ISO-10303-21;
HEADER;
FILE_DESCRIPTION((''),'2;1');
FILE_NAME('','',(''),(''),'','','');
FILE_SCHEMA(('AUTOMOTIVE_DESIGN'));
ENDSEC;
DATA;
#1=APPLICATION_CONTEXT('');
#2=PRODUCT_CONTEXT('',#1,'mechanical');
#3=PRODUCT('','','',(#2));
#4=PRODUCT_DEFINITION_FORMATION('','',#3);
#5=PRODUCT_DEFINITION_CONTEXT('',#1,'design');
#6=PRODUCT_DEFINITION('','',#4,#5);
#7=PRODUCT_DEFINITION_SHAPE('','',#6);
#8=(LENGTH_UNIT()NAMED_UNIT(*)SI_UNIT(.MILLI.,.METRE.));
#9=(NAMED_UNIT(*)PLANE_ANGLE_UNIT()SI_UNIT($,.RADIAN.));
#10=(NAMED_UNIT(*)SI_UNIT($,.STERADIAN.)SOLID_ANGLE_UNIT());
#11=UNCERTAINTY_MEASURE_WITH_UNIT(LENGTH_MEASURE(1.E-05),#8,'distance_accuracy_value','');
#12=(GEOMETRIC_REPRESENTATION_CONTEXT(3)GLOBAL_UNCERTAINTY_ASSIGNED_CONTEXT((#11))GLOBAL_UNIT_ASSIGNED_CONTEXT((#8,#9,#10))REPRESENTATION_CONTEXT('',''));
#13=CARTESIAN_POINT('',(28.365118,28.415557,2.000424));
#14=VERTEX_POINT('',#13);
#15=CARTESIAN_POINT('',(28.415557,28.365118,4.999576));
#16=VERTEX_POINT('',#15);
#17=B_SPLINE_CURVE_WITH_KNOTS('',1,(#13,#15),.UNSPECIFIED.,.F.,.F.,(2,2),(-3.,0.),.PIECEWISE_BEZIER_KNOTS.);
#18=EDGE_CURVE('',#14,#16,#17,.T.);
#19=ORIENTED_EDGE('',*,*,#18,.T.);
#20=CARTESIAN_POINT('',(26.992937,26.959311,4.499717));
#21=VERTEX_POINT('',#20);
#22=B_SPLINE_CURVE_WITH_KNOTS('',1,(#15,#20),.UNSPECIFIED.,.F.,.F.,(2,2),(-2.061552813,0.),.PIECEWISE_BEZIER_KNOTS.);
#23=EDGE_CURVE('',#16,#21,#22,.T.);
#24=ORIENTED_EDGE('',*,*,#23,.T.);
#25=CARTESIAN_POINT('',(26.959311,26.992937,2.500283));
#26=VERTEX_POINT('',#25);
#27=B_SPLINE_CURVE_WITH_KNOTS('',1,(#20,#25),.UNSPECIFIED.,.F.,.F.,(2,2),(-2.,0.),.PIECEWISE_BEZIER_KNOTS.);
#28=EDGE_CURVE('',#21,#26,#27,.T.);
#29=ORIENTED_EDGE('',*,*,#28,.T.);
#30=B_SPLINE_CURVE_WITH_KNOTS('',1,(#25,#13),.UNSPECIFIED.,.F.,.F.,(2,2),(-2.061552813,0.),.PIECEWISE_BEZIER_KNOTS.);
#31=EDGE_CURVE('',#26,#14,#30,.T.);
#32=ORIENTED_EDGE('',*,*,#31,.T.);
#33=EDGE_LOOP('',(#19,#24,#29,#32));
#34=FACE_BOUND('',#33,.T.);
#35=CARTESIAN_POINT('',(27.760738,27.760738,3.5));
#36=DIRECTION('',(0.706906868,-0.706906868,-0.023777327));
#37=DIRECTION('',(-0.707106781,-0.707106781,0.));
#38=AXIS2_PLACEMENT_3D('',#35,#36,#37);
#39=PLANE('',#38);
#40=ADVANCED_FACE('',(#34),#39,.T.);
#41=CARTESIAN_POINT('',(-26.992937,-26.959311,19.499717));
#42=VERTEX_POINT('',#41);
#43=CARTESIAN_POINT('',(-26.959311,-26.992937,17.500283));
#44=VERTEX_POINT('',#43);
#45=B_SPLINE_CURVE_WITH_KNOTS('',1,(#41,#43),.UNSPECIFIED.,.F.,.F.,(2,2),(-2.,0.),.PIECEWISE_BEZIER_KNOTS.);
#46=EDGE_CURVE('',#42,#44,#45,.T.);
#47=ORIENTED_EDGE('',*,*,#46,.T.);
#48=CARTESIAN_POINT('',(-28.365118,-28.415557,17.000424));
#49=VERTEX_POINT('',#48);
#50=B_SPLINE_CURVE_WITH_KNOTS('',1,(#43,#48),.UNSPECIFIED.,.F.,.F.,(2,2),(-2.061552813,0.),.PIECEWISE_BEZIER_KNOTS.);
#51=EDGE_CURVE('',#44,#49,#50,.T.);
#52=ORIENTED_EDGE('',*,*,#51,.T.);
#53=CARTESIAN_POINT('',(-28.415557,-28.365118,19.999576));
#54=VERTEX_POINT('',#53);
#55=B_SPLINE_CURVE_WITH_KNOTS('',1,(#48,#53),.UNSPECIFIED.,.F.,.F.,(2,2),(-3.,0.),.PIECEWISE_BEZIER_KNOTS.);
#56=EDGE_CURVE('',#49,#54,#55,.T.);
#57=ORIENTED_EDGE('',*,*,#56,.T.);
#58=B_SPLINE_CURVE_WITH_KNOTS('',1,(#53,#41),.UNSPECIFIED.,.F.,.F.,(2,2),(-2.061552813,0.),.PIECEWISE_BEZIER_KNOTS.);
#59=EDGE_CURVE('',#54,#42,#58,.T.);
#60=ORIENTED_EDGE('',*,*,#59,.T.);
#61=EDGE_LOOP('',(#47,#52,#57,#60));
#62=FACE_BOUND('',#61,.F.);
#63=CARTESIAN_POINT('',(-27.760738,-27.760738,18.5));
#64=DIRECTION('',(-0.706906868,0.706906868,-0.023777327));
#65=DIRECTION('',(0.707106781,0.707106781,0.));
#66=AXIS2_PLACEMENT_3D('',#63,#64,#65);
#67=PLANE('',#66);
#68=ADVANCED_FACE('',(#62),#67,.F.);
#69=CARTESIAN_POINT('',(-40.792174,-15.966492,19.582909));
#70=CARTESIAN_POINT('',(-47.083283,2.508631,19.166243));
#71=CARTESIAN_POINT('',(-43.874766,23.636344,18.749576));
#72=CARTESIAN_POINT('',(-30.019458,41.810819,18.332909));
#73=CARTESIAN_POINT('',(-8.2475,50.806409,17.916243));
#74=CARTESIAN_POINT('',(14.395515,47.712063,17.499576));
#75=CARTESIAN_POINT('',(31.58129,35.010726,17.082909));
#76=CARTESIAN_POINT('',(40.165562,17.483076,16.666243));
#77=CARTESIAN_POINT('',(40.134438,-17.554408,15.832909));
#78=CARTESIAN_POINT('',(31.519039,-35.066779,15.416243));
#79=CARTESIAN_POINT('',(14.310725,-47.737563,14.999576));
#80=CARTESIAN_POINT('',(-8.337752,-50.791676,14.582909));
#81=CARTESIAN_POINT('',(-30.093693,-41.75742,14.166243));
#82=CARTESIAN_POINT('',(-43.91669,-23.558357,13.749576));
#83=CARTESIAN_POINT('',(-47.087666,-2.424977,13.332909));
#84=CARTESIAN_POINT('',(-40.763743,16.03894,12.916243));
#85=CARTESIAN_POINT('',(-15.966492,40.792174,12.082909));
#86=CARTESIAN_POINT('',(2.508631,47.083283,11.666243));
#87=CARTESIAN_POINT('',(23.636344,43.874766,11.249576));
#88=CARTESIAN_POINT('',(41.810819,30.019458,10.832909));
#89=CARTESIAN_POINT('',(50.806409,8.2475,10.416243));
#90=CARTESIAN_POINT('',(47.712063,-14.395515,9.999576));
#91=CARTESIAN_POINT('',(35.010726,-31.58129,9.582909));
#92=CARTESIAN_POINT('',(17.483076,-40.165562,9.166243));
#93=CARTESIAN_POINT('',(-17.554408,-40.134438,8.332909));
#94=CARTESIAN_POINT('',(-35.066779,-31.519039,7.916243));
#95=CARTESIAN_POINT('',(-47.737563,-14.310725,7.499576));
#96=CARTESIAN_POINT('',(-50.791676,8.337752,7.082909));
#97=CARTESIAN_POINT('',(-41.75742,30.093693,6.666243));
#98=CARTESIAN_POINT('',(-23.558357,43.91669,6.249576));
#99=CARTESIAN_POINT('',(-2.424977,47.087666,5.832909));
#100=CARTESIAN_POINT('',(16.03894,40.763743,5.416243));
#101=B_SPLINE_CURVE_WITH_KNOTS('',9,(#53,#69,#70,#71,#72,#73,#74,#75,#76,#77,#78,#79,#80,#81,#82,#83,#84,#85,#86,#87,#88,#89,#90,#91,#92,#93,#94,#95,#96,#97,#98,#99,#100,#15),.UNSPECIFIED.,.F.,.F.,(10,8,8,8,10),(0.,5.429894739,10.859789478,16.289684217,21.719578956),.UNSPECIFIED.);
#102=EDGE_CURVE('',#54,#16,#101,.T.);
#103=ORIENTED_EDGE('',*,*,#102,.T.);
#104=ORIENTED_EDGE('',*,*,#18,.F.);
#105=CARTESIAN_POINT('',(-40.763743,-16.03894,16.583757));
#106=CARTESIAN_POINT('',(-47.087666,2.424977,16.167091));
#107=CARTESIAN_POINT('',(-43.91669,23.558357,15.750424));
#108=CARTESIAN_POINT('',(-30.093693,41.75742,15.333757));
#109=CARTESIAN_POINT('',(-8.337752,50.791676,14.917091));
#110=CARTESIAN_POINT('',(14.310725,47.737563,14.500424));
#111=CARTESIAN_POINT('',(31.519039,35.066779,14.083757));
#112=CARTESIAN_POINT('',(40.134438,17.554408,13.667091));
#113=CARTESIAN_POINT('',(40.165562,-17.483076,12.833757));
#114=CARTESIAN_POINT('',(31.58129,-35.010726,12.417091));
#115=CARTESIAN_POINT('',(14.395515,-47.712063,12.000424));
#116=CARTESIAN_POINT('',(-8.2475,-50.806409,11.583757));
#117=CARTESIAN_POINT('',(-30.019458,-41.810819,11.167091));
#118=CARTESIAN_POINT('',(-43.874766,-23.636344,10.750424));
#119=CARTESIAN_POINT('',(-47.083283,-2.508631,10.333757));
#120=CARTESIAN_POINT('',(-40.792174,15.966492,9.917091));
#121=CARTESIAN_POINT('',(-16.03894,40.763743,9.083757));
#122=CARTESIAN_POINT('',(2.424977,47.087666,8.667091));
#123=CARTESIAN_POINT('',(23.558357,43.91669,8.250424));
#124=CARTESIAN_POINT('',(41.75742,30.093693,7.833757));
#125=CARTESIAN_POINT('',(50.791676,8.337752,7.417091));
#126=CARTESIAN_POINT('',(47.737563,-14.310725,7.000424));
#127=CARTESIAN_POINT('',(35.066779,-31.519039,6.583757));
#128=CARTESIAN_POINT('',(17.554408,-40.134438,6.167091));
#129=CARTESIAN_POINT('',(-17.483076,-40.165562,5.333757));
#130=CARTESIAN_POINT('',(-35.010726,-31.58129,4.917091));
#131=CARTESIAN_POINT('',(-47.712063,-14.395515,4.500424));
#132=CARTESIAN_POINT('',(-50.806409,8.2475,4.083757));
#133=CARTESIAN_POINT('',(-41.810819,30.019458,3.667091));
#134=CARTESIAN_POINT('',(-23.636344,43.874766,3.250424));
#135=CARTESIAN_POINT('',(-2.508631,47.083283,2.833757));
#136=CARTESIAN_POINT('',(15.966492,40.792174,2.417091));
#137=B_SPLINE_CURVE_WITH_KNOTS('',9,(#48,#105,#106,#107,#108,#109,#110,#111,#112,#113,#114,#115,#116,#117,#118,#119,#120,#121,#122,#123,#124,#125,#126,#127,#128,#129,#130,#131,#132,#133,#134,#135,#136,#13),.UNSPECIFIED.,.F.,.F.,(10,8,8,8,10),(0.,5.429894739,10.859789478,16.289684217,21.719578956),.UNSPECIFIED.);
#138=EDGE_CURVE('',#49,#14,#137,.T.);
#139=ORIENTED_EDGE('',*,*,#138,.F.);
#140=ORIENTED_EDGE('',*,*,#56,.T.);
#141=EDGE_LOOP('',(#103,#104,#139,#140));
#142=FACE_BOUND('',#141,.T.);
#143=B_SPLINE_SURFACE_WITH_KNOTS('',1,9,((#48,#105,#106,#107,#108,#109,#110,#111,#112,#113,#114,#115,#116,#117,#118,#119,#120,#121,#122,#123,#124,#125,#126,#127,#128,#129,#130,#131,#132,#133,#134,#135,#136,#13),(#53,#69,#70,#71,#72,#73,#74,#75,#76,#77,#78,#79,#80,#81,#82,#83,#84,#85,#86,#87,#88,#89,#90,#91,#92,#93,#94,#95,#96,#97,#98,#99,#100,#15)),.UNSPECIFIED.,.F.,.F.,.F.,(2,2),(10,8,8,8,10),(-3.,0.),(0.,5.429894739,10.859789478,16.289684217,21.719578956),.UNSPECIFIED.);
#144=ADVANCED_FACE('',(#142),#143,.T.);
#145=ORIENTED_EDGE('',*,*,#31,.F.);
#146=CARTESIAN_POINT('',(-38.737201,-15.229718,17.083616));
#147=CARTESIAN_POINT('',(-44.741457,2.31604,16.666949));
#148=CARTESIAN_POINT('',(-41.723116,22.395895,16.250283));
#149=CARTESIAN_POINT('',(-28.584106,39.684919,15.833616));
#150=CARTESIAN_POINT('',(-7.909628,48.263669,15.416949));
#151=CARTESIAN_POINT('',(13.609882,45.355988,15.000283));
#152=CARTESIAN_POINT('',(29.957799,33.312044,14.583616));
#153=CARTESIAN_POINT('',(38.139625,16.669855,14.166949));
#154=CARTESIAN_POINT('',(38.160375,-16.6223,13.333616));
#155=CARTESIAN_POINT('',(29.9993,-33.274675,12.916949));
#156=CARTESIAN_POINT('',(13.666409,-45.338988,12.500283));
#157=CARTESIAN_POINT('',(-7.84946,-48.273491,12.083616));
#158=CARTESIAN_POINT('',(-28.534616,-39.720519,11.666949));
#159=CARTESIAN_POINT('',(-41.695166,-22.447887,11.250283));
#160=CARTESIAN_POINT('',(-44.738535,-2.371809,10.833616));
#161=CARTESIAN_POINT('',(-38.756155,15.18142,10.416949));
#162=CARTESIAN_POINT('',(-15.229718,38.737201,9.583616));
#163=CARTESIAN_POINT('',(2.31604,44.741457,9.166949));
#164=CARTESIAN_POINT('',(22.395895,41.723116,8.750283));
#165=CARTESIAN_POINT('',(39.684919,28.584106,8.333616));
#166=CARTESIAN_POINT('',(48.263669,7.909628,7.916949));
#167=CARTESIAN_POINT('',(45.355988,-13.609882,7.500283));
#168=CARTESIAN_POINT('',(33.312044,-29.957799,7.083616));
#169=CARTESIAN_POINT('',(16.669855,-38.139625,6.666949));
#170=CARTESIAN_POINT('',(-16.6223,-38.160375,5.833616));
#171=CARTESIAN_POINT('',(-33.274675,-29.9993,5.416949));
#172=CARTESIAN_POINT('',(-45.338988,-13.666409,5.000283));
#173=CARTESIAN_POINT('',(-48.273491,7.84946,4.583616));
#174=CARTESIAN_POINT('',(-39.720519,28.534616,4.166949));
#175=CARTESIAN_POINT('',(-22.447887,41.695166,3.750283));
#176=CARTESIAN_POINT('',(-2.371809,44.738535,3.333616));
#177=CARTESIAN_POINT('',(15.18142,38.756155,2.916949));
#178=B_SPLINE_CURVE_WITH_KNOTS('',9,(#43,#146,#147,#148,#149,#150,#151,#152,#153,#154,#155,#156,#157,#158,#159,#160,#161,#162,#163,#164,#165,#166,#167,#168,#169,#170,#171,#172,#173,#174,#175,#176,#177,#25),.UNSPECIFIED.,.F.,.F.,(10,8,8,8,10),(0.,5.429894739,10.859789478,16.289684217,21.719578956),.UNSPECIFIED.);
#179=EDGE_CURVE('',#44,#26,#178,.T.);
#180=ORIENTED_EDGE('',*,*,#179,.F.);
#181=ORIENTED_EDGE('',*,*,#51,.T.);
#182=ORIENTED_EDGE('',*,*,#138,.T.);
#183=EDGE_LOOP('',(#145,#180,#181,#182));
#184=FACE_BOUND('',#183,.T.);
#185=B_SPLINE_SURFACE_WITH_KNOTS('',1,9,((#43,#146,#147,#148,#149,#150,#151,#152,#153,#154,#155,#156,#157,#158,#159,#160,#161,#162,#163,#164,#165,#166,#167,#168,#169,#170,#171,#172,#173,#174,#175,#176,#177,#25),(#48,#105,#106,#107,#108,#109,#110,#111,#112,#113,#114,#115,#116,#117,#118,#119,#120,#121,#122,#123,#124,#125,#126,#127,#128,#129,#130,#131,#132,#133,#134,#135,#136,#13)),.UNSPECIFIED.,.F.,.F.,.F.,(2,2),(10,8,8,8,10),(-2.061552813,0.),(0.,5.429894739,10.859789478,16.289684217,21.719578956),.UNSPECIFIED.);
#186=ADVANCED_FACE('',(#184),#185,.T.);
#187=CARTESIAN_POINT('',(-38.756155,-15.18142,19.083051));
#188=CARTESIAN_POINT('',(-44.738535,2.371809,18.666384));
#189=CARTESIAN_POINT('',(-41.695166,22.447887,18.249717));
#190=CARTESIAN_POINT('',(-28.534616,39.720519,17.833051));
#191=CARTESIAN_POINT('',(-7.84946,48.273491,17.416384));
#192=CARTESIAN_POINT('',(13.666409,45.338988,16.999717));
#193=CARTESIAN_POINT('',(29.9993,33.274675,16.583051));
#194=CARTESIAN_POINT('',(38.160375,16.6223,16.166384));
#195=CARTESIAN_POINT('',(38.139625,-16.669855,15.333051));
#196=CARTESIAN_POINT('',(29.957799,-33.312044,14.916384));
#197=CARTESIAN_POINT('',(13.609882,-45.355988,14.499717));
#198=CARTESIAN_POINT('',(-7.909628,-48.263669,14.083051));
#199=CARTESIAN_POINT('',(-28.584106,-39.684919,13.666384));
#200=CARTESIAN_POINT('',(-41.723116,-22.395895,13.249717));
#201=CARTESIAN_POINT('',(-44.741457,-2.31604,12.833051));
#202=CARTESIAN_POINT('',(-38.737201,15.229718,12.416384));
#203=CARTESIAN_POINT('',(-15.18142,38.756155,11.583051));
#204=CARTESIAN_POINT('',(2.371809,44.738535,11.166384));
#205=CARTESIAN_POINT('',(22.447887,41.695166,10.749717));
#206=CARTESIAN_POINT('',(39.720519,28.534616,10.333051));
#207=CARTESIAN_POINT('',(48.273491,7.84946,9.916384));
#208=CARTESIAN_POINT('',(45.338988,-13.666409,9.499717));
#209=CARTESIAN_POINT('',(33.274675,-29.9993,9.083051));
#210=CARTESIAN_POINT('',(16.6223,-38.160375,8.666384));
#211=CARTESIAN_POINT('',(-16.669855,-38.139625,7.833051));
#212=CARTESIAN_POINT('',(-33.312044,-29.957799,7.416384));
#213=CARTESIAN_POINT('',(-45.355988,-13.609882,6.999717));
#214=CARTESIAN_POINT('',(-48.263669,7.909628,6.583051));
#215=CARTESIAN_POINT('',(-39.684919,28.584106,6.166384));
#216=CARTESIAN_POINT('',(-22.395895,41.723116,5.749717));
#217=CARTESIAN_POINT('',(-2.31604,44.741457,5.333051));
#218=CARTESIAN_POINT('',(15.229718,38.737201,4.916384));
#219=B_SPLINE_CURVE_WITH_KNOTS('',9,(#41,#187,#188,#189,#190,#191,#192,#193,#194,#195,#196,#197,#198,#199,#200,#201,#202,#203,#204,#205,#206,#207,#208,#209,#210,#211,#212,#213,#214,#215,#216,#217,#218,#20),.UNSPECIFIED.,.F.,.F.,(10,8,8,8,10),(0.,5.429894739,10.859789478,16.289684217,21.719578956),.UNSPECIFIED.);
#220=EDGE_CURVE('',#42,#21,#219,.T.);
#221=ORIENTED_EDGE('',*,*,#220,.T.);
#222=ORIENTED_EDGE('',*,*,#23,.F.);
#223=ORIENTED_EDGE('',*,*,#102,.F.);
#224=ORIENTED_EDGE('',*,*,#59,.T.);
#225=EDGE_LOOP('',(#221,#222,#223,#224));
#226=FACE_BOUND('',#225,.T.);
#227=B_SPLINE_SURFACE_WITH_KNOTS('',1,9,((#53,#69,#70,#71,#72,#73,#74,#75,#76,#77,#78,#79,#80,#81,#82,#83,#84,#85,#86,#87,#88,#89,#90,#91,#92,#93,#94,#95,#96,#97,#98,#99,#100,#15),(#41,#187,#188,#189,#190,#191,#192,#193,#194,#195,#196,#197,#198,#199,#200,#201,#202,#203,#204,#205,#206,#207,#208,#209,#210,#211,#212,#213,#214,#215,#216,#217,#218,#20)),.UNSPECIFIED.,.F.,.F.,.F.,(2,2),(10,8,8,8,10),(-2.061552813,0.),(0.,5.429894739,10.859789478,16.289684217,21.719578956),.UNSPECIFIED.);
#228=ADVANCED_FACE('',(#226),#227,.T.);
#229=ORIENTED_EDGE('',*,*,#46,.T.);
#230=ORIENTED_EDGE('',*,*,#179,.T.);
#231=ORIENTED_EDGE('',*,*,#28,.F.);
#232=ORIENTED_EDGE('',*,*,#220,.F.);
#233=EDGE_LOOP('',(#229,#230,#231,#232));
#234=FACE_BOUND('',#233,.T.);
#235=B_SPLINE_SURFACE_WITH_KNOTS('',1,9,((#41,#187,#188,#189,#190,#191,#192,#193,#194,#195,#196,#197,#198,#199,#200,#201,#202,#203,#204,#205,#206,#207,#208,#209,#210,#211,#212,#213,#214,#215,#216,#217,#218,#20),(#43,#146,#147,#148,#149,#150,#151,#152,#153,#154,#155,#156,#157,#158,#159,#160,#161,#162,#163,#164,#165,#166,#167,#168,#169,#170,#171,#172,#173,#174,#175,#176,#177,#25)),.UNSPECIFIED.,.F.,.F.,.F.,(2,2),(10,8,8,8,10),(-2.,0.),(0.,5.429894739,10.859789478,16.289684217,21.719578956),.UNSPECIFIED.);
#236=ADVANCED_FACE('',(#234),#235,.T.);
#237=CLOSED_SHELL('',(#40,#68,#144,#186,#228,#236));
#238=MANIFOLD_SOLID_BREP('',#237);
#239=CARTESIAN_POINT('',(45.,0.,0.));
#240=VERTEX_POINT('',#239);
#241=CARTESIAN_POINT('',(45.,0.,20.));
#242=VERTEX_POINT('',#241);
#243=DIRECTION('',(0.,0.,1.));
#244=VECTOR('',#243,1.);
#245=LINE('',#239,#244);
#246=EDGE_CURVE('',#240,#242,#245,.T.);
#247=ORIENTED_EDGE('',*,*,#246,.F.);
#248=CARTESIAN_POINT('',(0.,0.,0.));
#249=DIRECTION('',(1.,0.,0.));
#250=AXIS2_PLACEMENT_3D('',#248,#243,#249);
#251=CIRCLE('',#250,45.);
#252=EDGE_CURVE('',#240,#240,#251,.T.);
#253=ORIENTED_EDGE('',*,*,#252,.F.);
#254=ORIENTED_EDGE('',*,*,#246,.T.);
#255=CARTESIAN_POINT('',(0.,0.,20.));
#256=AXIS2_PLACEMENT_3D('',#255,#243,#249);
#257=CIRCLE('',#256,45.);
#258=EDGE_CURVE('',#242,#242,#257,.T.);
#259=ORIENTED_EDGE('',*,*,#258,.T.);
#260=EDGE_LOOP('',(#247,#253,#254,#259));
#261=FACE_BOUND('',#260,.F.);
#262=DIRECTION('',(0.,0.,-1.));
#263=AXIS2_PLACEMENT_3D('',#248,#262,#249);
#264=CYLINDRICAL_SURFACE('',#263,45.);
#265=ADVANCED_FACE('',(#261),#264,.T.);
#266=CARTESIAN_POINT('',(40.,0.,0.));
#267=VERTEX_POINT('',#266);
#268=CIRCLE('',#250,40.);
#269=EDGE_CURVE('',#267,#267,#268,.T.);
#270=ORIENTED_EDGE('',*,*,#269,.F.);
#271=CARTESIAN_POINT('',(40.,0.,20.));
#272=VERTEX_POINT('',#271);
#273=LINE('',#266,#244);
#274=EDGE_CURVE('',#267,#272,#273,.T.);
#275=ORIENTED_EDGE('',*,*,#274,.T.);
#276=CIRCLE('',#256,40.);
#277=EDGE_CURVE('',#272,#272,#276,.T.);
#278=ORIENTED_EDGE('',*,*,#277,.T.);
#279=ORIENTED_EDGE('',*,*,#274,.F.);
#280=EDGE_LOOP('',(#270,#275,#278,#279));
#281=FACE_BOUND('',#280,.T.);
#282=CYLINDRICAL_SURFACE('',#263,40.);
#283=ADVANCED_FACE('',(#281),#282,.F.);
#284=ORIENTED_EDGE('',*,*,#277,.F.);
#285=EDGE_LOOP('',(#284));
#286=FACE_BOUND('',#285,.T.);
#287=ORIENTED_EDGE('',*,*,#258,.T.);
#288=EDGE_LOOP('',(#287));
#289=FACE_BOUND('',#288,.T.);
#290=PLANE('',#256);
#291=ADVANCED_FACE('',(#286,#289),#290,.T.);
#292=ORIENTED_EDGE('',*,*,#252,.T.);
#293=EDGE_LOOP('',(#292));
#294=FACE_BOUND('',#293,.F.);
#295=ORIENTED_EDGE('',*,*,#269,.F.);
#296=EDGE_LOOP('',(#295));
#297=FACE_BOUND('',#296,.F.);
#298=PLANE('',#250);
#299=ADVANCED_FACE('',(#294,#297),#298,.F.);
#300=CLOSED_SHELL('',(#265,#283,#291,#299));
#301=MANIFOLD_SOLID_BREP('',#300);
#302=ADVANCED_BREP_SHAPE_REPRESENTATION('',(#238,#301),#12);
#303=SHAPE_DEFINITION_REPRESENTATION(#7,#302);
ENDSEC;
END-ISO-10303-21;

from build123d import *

# Parameters (mm, degrees)
SKETCH_1_R          = 45
SKETCH_1_R_2        = 40
EXTRUDE_1_DEPTH     = 20
SWEEP_1_PITCH       = 6
SWEEP_1_HEIGHT      = 15
SWEEP_1_RADIUS      = 40.15
SWEEP_1_START_ANGLE = -45


with BuildPart() as part:
    # 草图1 → 凸台-拉伸1 (new body)
    with BuildSketch(Plane.XY):
        Circle(SKETCH_1_R)
        Circle(SKETCH_1_R_2, mode=Mode.SUBTRACT)
    extrude(amount=EXTRUDE_1_DEPTH)


with BuildPart() as body_2:
    # 扫描1: sweep along a helix
    with BuildLine() as sweep_1_path:
        add(Helix(SWEEP_1_PITCH, SWEEP_1_HEIGHT, SWEEP_1_RADIUS, center=(0, 0, 18.5), direction=(0, 0, -1), mode=Mode.PRIVATE).rotate(Axis((0, 0, 18.5), (0, 0, -1)), SWEEP_1_START_ANGLE))
    # 草图3 → 扫描1 (sweep)
    with BuildSketch(Plane(origin=(-28.390337265, -28.390337265, 18.5), x_dir=(-0.016813109, 0.016813109, 0.999717279), z_dir=(-0.706906868, 0.706906868, -0.023777327))):
        Polygon((1.5, 0), (-1.5, 0), (-1, 2), (1, 2), align=None)
    sweep(path=sweep_1_path.line, is_frenet=True)


solid = Compound([part.part, body_2.part])
